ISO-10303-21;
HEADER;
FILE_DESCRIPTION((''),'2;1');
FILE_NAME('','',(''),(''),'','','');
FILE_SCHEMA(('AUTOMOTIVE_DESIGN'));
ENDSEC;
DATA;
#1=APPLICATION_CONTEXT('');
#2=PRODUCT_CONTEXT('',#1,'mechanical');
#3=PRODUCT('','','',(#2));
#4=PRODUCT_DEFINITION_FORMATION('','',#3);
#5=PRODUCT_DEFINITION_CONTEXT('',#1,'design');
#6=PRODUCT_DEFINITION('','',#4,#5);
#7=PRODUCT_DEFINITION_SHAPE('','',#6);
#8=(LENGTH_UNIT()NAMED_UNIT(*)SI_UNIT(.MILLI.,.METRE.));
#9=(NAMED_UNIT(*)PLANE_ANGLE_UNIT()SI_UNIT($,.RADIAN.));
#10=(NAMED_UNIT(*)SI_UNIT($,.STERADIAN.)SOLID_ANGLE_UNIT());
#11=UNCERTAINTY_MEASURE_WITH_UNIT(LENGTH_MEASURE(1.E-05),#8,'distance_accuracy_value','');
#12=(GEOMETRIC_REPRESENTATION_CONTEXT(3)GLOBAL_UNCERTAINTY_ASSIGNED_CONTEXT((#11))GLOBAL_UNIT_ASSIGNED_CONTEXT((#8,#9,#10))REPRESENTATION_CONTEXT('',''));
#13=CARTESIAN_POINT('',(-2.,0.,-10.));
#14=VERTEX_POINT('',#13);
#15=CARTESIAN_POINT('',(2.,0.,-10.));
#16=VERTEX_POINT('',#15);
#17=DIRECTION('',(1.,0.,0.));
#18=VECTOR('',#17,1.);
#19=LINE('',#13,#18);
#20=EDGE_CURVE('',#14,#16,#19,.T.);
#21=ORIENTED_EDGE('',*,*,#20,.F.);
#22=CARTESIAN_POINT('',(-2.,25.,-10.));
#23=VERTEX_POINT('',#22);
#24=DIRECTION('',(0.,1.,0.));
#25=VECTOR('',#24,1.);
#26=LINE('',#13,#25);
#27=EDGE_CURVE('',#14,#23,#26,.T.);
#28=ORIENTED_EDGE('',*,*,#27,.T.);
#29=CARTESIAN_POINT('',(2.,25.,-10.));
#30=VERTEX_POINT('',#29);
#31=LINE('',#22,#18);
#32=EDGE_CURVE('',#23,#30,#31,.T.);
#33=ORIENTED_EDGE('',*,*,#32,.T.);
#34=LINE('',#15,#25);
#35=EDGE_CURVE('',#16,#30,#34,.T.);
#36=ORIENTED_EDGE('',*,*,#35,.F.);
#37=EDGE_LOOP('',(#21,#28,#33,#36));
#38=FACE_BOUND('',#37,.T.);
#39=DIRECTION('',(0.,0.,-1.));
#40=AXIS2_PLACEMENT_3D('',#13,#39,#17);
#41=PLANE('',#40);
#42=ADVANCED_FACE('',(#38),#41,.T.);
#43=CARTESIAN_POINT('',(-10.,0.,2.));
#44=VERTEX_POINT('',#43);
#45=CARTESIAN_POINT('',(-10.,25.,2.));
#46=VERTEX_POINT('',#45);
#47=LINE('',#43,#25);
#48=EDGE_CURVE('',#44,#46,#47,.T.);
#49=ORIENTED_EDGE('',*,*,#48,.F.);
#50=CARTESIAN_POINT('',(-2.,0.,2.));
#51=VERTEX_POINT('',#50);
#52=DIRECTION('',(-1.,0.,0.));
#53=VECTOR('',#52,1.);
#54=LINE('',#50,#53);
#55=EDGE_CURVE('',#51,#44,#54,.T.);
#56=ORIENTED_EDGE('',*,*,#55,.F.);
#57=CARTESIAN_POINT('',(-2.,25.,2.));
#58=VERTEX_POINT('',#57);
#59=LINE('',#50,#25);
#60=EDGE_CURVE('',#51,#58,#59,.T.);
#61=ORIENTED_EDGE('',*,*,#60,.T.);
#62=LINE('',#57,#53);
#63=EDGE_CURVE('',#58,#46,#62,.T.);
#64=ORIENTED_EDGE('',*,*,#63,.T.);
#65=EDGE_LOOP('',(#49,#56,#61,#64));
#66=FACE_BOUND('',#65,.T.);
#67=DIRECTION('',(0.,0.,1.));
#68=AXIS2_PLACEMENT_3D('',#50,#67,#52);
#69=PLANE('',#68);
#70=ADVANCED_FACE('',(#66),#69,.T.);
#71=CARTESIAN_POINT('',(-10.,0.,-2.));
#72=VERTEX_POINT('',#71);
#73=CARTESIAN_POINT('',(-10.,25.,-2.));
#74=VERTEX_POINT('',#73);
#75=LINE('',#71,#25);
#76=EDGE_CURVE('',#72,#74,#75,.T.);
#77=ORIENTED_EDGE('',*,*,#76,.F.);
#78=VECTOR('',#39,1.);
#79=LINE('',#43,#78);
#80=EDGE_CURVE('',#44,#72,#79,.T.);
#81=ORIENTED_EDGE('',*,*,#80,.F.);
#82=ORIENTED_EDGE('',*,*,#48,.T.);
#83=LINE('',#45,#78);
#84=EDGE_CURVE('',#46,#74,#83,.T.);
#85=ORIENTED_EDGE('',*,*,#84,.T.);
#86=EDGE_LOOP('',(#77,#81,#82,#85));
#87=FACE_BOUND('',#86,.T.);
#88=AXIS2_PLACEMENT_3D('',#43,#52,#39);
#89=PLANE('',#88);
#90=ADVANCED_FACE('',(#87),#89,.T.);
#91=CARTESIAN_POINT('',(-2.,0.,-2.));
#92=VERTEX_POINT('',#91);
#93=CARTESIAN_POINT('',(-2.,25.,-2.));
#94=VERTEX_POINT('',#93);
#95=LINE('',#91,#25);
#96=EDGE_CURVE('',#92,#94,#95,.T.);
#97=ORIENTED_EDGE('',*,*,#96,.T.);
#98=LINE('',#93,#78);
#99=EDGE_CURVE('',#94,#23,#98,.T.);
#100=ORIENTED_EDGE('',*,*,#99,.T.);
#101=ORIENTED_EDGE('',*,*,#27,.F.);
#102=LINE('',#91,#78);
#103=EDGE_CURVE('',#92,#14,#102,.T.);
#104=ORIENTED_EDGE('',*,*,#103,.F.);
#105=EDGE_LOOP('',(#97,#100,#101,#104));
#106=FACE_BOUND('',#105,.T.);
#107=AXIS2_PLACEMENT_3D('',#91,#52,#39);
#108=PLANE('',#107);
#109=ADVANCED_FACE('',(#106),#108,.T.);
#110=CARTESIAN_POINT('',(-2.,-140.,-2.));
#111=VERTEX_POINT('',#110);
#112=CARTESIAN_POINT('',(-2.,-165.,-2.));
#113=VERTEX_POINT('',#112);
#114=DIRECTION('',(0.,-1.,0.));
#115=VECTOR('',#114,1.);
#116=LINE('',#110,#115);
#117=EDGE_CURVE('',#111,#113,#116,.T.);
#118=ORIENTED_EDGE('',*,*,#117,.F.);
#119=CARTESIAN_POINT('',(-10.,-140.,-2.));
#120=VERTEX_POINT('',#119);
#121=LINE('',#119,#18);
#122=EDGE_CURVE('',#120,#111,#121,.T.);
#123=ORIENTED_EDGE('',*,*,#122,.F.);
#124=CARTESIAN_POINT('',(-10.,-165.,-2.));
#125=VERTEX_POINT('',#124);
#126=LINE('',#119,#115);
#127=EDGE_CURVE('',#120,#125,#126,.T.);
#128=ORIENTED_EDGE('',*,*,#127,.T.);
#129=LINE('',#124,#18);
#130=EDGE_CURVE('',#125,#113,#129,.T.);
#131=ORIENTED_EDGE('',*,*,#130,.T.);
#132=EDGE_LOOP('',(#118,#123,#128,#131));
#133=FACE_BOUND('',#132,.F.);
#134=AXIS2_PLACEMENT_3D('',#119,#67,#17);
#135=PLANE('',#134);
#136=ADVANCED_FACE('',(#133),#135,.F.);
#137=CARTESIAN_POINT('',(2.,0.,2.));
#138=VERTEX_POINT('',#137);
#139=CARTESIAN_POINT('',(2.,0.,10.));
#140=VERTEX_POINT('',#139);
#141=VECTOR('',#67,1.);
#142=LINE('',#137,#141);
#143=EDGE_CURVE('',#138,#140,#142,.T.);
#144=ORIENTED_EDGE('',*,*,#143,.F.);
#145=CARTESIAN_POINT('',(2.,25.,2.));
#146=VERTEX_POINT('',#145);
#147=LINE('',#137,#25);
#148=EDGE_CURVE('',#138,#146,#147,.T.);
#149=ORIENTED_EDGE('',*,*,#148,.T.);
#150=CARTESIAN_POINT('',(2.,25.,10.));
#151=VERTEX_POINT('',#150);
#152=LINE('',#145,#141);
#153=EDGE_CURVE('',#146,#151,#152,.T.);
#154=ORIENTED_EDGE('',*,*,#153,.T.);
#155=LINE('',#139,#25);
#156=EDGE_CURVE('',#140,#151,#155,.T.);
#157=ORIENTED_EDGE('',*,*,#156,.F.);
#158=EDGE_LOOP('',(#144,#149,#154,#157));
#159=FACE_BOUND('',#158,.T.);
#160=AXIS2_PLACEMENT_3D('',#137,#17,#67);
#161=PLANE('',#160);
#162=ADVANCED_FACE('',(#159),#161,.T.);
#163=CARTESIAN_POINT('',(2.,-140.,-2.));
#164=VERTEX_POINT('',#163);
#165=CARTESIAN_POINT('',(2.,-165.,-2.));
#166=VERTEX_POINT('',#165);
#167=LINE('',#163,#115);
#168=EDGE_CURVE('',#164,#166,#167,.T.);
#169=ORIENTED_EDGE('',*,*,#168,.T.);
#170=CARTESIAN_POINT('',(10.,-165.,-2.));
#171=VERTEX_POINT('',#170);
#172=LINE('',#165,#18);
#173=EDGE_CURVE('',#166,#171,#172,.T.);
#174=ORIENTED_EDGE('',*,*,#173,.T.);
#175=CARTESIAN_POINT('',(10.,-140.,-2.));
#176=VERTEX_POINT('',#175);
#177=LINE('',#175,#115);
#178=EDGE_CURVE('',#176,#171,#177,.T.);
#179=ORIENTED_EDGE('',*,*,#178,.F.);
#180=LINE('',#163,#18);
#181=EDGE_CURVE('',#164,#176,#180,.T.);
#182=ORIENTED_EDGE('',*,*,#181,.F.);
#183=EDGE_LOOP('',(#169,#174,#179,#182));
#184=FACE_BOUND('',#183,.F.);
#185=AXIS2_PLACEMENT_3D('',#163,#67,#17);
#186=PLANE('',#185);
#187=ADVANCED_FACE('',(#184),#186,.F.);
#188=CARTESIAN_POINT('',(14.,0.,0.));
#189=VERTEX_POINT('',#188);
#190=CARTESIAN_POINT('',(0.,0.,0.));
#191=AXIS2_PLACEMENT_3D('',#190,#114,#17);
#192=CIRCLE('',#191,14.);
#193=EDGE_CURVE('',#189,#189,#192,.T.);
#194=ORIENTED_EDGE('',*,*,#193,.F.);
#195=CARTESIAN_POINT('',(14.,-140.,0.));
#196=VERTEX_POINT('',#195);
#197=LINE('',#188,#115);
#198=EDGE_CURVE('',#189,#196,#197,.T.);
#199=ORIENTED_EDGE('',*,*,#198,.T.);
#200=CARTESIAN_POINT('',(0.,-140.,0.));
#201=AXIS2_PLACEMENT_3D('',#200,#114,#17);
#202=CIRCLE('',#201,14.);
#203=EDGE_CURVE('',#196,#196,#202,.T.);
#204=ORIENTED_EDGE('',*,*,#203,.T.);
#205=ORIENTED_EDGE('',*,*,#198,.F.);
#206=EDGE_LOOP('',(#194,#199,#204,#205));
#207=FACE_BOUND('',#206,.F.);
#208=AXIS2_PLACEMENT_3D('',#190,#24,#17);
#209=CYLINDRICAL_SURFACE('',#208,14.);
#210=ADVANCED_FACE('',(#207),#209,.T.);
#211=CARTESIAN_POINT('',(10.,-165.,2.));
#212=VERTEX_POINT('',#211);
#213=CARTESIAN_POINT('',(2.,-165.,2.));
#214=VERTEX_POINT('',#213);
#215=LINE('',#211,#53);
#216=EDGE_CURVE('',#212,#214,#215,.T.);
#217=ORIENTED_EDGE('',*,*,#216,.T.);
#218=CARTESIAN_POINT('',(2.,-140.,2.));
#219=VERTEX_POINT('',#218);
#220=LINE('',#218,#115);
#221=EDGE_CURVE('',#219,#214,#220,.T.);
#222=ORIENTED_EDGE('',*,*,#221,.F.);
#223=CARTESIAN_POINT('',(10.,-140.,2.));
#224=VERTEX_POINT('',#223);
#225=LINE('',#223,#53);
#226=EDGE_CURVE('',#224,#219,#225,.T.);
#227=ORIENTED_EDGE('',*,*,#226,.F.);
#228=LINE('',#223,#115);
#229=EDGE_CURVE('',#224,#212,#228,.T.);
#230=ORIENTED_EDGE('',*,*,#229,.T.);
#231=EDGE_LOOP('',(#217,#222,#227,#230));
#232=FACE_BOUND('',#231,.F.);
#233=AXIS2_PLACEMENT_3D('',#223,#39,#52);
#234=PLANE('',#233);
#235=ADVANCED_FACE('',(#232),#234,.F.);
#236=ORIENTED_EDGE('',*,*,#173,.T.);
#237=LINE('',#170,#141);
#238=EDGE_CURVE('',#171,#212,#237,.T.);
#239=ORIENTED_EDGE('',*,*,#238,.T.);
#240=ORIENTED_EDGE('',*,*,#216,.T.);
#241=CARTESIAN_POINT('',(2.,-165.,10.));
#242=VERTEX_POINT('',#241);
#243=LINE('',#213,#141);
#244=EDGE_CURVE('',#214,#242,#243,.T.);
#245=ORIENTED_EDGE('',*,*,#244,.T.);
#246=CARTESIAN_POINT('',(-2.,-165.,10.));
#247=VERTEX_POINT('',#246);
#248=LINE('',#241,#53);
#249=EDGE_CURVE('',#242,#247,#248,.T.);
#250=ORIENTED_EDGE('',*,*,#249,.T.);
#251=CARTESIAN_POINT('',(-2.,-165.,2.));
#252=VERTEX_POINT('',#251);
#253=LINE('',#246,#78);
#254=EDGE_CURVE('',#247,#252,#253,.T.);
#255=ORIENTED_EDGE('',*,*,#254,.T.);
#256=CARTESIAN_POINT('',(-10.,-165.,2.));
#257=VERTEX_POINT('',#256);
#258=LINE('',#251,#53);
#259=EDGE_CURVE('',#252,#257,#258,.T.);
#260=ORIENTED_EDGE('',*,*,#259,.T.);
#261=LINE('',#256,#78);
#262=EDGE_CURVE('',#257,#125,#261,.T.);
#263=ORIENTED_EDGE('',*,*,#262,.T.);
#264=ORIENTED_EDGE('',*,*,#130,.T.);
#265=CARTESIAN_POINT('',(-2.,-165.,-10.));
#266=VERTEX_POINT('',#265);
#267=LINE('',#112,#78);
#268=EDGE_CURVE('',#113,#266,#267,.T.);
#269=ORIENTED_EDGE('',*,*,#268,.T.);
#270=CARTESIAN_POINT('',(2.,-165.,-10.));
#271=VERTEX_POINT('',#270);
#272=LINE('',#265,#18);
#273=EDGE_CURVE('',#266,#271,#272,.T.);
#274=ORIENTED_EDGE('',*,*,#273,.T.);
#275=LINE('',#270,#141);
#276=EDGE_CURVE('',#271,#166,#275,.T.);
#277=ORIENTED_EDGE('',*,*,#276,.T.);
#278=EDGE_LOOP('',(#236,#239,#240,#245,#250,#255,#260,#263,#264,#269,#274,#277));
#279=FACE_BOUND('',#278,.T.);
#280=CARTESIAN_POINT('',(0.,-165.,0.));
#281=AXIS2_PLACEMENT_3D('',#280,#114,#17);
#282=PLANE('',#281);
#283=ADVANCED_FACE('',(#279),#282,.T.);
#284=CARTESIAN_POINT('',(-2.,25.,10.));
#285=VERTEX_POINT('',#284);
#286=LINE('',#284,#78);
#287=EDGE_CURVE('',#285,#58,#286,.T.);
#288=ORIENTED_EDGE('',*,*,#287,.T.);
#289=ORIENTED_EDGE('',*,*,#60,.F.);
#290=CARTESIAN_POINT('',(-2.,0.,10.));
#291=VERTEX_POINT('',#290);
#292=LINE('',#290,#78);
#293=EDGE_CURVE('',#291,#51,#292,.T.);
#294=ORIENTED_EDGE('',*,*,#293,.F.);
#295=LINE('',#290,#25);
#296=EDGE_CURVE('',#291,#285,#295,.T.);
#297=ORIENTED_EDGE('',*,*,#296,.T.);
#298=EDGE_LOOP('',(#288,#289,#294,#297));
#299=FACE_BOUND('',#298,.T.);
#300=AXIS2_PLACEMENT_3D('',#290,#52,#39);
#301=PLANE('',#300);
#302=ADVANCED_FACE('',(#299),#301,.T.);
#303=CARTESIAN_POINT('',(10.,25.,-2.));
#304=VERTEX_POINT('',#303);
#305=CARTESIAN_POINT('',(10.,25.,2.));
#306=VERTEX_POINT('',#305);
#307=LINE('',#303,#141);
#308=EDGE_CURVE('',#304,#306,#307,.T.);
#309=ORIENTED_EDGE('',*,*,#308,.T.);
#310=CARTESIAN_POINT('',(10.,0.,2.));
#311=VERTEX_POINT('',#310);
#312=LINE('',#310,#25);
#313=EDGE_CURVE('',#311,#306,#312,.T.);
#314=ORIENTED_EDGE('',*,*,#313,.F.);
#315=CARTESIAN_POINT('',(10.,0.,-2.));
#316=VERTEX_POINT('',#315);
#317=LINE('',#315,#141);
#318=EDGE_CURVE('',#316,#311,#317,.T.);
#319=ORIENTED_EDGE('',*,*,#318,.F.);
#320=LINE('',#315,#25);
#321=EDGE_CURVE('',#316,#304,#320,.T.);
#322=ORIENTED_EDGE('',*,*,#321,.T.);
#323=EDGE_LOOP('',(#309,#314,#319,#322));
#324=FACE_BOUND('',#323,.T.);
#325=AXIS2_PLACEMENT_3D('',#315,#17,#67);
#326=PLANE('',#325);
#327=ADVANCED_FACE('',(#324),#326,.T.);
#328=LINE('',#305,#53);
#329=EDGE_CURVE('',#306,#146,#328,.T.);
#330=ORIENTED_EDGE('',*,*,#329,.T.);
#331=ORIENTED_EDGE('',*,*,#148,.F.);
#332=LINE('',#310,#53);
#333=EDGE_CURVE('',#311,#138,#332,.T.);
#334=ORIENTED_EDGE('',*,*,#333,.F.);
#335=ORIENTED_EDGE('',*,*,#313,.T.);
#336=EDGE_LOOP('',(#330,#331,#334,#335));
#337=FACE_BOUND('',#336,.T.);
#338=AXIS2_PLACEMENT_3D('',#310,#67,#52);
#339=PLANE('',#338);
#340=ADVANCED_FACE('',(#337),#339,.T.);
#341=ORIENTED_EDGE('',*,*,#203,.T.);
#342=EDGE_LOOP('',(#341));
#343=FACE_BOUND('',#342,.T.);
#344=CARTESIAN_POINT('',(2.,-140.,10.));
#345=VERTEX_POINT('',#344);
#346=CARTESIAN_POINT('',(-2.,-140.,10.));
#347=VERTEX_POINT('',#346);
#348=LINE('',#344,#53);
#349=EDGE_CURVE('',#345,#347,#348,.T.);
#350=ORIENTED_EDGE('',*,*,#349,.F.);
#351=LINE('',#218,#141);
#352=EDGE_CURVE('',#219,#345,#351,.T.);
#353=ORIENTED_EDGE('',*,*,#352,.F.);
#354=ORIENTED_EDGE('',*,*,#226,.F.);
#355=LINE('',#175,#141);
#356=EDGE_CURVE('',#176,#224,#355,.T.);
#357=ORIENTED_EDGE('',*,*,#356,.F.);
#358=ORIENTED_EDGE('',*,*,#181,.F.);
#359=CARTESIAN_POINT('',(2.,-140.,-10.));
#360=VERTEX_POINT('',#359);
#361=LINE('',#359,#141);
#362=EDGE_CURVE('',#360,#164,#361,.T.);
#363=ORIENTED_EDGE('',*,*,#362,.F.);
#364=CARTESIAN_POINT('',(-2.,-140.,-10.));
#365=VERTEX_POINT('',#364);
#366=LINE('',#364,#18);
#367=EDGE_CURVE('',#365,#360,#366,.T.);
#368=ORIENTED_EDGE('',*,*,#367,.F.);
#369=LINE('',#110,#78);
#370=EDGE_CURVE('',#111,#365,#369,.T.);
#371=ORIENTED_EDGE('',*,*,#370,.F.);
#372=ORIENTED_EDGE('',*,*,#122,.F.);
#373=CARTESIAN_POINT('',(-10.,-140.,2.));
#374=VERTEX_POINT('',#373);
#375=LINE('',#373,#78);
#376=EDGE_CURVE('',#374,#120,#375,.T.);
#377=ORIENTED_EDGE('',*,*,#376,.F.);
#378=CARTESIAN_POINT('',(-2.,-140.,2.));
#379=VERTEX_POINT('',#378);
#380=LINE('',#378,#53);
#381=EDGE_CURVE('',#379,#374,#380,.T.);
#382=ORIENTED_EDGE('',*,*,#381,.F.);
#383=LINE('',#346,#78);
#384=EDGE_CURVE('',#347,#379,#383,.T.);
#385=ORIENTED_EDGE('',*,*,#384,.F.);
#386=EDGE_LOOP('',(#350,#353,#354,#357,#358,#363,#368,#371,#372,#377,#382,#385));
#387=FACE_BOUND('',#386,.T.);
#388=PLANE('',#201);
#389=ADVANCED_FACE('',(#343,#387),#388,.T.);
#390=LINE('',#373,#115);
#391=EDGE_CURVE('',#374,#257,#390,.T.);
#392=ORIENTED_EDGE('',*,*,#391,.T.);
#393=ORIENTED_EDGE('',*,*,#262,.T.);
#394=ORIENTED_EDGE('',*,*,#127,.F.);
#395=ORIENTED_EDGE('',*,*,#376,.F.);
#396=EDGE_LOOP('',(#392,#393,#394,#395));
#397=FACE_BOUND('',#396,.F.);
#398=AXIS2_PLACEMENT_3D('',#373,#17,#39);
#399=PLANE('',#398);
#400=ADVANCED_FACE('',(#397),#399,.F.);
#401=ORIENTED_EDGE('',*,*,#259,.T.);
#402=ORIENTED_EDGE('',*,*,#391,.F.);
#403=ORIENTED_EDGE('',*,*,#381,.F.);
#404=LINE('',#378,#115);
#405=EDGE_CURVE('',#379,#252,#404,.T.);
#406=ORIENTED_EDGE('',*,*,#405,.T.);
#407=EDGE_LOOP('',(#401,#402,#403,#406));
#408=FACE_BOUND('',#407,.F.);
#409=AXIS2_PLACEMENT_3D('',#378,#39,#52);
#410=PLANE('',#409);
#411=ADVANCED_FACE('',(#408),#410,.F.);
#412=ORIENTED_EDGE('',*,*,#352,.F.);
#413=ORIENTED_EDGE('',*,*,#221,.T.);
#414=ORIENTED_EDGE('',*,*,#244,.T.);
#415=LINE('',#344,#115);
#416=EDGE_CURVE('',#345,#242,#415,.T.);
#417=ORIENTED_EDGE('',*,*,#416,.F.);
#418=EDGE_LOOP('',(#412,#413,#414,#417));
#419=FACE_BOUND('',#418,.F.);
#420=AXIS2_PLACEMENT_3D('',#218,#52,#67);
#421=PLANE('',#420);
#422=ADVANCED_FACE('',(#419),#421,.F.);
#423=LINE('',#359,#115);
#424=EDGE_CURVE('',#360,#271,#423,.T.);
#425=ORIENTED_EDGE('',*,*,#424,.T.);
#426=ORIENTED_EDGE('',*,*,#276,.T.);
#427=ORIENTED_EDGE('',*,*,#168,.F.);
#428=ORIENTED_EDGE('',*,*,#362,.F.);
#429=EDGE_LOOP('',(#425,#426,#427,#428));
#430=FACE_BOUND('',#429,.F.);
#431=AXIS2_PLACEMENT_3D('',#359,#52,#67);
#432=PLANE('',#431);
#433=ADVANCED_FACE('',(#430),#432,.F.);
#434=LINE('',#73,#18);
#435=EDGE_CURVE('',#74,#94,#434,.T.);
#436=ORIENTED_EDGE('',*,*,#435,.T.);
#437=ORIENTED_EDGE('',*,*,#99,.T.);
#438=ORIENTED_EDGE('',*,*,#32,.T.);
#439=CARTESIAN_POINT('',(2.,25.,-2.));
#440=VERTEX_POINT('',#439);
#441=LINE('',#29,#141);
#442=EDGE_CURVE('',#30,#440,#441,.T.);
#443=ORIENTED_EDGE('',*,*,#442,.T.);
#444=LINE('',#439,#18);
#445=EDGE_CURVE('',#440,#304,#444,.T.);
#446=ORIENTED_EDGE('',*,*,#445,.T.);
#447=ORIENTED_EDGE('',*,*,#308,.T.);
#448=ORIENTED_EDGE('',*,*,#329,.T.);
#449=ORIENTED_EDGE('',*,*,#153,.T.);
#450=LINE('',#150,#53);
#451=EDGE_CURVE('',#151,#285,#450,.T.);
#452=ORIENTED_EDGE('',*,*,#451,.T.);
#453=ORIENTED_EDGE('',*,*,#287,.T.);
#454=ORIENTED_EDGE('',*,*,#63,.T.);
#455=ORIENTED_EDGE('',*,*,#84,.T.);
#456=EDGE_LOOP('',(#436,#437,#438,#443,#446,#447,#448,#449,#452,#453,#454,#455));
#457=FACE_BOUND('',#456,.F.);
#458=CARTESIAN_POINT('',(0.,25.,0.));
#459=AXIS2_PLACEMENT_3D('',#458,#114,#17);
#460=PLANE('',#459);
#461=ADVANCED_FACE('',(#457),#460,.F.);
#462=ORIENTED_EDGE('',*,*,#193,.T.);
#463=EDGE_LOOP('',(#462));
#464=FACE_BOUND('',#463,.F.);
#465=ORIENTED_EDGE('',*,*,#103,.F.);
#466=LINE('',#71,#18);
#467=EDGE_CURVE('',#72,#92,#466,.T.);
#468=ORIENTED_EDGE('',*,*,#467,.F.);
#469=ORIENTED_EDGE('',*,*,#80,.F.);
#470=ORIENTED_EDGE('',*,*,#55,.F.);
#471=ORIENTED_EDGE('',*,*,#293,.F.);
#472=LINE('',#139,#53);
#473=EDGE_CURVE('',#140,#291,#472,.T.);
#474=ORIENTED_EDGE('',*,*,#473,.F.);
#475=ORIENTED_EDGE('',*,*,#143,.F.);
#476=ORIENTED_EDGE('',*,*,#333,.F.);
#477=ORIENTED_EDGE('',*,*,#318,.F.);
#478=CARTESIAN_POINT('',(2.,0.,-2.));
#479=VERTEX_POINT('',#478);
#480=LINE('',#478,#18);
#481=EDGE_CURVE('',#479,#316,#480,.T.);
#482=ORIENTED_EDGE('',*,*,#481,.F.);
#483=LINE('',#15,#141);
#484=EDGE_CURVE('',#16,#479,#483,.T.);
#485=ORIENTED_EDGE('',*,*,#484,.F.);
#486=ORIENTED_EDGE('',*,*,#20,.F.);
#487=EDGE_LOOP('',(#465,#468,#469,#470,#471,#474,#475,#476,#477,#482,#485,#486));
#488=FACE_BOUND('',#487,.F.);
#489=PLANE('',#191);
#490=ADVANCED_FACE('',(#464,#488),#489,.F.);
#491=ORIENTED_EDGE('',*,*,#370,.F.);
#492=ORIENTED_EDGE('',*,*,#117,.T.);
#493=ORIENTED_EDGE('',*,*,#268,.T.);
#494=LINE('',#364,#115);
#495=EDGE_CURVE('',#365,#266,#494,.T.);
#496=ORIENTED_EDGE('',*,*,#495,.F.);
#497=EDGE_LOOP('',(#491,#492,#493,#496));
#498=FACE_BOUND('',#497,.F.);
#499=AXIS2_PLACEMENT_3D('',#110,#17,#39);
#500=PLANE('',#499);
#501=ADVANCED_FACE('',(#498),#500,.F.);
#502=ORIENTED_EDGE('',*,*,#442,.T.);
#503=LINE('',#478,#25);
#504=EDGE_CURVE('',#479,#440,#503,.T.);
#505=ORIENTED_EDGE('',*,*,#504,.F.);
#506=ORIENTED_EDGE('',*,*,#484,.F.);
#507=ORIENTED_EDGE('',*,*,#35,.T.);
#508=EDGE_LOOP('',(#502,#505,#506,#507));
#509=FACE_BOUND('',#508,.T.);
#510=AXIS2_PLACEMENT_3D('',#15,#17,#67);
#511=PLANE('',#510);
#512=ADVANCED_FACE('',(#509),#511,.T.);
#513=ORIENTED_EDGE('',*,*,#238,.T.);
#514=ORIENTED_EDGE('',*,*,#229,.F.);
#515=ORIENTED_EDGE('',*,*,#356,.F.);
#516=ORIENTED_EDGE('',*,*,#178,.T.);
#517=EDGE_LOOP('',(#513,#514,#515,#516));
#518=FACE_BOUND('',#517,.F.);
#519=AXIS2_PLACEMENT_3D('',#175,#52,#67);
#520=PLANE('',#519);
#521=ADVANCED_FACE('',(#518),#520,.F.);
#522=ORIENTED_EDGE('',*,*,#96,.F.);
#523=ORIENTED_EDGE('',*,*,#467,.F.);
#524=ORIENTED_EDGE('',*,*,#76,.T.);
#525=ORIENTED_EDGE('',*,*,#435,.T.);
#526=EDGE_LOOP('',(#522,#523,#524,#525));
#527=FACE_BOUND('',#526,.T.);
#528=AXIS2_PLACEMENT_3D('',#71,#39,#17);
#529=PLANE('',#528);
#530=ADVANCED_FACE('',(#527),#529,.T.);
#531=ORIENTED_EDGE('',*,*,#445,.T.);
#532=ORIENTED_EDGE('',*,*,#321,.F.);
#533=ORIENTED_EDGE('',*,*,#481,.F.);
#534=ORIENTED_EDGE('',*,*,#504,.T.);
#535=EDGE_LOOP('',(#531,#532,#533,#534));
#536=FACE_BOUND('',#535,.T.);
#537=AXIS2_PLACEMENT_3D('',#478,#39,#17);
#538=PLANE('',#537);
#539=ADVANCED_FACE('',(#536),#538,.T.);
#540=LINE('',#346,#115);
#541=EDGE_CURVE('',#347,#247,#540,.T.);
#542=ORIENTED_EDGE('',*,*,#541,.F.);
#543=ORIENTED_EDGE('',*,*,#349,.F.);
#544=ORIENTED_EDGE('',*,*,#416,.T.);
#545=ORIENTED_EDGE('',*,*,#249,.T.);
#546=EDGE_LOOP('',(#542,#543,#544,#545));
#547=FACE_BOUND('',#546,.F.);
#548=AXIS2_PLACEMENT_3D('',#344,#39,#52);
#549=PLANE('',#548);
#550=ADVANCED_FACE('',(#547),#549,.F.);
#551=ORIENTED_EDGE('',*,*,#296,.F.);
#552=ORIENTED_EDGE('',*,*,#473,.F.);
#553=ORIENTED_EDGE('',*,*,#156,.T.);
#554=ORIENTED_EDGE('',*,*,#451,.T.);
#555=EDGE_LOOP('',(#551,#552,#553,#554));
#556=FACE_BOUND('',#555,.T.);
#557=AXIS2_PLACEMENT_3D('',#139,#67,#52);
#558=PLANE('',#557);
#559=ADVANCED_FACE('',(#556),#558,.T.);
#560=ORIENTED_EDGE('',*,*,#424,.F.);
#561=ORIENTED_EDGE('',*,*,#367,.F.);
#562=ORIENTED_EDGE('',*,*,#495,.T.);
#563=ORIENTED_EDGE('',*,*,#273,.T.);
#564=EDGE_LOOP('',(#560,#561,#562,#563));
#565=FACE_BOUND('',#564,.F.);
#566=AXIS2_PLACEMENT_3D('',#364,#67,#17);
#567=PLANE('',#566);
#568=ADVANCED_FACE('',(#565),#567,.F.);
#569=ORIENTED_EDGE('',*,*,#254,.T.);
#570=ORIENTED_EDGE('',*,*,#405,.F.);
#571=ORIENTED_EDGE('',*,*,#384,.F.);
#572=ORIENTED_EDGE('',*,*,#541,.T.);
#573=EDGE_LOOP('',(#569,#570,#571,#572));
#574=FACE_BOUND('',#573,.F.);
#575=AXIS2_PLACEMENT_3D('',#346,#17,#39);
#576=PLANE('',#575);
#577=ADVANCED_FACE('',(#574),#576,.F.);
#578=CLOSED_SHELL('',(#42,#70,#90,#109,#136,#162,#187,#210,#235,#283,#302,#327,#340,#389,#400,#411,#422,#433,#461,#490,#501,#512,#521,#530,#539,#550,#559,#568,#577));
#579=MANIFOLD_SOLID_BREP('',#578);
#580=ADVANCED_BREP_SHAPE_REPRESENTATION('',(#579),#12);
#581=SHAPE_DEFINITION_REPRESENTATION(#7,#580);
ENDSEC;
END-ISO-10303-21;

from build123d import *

# Parameters (mm, degrees)
F0_R     = 14
F1_DEPTH = 140
F3_DEPTH = 25
F5_DEPTH = 25


with BuildPart() as f1:
    # F0 (on Front) → F1 (new body)
    with BuildSketch(Plane.XZ):
        Circle(F0_R)
    extrude(amount=F1_DEPTH)

    # F2 (on Front) → F3 (join)
    with BuildSketch(Plane.XZ):
        Polygon((2, 10), (-2, 10), (-2, 2), (-10, 2), (-10, -2), (-2, -2), (-2, -10), (2, -10), (2, -2), (10, -2), (10, 2), (2, 2), align=None)
    extrude(amount=-F3_DEPTH)

    # F4 (on face) → F5 (join)
    with BuildSketch(Plane.XZ.offset(140)):
        Polygon((-2, 2), (-10, 2), (-10, -2), (-2, -2), (-2, -10), (2, -10), (2, -2), (10, -2), (10, 2), (2, 2), (2, 10), (-2, 10), align=None)
    extrude(amount=F5_DEPTH)


solid = f1.part
